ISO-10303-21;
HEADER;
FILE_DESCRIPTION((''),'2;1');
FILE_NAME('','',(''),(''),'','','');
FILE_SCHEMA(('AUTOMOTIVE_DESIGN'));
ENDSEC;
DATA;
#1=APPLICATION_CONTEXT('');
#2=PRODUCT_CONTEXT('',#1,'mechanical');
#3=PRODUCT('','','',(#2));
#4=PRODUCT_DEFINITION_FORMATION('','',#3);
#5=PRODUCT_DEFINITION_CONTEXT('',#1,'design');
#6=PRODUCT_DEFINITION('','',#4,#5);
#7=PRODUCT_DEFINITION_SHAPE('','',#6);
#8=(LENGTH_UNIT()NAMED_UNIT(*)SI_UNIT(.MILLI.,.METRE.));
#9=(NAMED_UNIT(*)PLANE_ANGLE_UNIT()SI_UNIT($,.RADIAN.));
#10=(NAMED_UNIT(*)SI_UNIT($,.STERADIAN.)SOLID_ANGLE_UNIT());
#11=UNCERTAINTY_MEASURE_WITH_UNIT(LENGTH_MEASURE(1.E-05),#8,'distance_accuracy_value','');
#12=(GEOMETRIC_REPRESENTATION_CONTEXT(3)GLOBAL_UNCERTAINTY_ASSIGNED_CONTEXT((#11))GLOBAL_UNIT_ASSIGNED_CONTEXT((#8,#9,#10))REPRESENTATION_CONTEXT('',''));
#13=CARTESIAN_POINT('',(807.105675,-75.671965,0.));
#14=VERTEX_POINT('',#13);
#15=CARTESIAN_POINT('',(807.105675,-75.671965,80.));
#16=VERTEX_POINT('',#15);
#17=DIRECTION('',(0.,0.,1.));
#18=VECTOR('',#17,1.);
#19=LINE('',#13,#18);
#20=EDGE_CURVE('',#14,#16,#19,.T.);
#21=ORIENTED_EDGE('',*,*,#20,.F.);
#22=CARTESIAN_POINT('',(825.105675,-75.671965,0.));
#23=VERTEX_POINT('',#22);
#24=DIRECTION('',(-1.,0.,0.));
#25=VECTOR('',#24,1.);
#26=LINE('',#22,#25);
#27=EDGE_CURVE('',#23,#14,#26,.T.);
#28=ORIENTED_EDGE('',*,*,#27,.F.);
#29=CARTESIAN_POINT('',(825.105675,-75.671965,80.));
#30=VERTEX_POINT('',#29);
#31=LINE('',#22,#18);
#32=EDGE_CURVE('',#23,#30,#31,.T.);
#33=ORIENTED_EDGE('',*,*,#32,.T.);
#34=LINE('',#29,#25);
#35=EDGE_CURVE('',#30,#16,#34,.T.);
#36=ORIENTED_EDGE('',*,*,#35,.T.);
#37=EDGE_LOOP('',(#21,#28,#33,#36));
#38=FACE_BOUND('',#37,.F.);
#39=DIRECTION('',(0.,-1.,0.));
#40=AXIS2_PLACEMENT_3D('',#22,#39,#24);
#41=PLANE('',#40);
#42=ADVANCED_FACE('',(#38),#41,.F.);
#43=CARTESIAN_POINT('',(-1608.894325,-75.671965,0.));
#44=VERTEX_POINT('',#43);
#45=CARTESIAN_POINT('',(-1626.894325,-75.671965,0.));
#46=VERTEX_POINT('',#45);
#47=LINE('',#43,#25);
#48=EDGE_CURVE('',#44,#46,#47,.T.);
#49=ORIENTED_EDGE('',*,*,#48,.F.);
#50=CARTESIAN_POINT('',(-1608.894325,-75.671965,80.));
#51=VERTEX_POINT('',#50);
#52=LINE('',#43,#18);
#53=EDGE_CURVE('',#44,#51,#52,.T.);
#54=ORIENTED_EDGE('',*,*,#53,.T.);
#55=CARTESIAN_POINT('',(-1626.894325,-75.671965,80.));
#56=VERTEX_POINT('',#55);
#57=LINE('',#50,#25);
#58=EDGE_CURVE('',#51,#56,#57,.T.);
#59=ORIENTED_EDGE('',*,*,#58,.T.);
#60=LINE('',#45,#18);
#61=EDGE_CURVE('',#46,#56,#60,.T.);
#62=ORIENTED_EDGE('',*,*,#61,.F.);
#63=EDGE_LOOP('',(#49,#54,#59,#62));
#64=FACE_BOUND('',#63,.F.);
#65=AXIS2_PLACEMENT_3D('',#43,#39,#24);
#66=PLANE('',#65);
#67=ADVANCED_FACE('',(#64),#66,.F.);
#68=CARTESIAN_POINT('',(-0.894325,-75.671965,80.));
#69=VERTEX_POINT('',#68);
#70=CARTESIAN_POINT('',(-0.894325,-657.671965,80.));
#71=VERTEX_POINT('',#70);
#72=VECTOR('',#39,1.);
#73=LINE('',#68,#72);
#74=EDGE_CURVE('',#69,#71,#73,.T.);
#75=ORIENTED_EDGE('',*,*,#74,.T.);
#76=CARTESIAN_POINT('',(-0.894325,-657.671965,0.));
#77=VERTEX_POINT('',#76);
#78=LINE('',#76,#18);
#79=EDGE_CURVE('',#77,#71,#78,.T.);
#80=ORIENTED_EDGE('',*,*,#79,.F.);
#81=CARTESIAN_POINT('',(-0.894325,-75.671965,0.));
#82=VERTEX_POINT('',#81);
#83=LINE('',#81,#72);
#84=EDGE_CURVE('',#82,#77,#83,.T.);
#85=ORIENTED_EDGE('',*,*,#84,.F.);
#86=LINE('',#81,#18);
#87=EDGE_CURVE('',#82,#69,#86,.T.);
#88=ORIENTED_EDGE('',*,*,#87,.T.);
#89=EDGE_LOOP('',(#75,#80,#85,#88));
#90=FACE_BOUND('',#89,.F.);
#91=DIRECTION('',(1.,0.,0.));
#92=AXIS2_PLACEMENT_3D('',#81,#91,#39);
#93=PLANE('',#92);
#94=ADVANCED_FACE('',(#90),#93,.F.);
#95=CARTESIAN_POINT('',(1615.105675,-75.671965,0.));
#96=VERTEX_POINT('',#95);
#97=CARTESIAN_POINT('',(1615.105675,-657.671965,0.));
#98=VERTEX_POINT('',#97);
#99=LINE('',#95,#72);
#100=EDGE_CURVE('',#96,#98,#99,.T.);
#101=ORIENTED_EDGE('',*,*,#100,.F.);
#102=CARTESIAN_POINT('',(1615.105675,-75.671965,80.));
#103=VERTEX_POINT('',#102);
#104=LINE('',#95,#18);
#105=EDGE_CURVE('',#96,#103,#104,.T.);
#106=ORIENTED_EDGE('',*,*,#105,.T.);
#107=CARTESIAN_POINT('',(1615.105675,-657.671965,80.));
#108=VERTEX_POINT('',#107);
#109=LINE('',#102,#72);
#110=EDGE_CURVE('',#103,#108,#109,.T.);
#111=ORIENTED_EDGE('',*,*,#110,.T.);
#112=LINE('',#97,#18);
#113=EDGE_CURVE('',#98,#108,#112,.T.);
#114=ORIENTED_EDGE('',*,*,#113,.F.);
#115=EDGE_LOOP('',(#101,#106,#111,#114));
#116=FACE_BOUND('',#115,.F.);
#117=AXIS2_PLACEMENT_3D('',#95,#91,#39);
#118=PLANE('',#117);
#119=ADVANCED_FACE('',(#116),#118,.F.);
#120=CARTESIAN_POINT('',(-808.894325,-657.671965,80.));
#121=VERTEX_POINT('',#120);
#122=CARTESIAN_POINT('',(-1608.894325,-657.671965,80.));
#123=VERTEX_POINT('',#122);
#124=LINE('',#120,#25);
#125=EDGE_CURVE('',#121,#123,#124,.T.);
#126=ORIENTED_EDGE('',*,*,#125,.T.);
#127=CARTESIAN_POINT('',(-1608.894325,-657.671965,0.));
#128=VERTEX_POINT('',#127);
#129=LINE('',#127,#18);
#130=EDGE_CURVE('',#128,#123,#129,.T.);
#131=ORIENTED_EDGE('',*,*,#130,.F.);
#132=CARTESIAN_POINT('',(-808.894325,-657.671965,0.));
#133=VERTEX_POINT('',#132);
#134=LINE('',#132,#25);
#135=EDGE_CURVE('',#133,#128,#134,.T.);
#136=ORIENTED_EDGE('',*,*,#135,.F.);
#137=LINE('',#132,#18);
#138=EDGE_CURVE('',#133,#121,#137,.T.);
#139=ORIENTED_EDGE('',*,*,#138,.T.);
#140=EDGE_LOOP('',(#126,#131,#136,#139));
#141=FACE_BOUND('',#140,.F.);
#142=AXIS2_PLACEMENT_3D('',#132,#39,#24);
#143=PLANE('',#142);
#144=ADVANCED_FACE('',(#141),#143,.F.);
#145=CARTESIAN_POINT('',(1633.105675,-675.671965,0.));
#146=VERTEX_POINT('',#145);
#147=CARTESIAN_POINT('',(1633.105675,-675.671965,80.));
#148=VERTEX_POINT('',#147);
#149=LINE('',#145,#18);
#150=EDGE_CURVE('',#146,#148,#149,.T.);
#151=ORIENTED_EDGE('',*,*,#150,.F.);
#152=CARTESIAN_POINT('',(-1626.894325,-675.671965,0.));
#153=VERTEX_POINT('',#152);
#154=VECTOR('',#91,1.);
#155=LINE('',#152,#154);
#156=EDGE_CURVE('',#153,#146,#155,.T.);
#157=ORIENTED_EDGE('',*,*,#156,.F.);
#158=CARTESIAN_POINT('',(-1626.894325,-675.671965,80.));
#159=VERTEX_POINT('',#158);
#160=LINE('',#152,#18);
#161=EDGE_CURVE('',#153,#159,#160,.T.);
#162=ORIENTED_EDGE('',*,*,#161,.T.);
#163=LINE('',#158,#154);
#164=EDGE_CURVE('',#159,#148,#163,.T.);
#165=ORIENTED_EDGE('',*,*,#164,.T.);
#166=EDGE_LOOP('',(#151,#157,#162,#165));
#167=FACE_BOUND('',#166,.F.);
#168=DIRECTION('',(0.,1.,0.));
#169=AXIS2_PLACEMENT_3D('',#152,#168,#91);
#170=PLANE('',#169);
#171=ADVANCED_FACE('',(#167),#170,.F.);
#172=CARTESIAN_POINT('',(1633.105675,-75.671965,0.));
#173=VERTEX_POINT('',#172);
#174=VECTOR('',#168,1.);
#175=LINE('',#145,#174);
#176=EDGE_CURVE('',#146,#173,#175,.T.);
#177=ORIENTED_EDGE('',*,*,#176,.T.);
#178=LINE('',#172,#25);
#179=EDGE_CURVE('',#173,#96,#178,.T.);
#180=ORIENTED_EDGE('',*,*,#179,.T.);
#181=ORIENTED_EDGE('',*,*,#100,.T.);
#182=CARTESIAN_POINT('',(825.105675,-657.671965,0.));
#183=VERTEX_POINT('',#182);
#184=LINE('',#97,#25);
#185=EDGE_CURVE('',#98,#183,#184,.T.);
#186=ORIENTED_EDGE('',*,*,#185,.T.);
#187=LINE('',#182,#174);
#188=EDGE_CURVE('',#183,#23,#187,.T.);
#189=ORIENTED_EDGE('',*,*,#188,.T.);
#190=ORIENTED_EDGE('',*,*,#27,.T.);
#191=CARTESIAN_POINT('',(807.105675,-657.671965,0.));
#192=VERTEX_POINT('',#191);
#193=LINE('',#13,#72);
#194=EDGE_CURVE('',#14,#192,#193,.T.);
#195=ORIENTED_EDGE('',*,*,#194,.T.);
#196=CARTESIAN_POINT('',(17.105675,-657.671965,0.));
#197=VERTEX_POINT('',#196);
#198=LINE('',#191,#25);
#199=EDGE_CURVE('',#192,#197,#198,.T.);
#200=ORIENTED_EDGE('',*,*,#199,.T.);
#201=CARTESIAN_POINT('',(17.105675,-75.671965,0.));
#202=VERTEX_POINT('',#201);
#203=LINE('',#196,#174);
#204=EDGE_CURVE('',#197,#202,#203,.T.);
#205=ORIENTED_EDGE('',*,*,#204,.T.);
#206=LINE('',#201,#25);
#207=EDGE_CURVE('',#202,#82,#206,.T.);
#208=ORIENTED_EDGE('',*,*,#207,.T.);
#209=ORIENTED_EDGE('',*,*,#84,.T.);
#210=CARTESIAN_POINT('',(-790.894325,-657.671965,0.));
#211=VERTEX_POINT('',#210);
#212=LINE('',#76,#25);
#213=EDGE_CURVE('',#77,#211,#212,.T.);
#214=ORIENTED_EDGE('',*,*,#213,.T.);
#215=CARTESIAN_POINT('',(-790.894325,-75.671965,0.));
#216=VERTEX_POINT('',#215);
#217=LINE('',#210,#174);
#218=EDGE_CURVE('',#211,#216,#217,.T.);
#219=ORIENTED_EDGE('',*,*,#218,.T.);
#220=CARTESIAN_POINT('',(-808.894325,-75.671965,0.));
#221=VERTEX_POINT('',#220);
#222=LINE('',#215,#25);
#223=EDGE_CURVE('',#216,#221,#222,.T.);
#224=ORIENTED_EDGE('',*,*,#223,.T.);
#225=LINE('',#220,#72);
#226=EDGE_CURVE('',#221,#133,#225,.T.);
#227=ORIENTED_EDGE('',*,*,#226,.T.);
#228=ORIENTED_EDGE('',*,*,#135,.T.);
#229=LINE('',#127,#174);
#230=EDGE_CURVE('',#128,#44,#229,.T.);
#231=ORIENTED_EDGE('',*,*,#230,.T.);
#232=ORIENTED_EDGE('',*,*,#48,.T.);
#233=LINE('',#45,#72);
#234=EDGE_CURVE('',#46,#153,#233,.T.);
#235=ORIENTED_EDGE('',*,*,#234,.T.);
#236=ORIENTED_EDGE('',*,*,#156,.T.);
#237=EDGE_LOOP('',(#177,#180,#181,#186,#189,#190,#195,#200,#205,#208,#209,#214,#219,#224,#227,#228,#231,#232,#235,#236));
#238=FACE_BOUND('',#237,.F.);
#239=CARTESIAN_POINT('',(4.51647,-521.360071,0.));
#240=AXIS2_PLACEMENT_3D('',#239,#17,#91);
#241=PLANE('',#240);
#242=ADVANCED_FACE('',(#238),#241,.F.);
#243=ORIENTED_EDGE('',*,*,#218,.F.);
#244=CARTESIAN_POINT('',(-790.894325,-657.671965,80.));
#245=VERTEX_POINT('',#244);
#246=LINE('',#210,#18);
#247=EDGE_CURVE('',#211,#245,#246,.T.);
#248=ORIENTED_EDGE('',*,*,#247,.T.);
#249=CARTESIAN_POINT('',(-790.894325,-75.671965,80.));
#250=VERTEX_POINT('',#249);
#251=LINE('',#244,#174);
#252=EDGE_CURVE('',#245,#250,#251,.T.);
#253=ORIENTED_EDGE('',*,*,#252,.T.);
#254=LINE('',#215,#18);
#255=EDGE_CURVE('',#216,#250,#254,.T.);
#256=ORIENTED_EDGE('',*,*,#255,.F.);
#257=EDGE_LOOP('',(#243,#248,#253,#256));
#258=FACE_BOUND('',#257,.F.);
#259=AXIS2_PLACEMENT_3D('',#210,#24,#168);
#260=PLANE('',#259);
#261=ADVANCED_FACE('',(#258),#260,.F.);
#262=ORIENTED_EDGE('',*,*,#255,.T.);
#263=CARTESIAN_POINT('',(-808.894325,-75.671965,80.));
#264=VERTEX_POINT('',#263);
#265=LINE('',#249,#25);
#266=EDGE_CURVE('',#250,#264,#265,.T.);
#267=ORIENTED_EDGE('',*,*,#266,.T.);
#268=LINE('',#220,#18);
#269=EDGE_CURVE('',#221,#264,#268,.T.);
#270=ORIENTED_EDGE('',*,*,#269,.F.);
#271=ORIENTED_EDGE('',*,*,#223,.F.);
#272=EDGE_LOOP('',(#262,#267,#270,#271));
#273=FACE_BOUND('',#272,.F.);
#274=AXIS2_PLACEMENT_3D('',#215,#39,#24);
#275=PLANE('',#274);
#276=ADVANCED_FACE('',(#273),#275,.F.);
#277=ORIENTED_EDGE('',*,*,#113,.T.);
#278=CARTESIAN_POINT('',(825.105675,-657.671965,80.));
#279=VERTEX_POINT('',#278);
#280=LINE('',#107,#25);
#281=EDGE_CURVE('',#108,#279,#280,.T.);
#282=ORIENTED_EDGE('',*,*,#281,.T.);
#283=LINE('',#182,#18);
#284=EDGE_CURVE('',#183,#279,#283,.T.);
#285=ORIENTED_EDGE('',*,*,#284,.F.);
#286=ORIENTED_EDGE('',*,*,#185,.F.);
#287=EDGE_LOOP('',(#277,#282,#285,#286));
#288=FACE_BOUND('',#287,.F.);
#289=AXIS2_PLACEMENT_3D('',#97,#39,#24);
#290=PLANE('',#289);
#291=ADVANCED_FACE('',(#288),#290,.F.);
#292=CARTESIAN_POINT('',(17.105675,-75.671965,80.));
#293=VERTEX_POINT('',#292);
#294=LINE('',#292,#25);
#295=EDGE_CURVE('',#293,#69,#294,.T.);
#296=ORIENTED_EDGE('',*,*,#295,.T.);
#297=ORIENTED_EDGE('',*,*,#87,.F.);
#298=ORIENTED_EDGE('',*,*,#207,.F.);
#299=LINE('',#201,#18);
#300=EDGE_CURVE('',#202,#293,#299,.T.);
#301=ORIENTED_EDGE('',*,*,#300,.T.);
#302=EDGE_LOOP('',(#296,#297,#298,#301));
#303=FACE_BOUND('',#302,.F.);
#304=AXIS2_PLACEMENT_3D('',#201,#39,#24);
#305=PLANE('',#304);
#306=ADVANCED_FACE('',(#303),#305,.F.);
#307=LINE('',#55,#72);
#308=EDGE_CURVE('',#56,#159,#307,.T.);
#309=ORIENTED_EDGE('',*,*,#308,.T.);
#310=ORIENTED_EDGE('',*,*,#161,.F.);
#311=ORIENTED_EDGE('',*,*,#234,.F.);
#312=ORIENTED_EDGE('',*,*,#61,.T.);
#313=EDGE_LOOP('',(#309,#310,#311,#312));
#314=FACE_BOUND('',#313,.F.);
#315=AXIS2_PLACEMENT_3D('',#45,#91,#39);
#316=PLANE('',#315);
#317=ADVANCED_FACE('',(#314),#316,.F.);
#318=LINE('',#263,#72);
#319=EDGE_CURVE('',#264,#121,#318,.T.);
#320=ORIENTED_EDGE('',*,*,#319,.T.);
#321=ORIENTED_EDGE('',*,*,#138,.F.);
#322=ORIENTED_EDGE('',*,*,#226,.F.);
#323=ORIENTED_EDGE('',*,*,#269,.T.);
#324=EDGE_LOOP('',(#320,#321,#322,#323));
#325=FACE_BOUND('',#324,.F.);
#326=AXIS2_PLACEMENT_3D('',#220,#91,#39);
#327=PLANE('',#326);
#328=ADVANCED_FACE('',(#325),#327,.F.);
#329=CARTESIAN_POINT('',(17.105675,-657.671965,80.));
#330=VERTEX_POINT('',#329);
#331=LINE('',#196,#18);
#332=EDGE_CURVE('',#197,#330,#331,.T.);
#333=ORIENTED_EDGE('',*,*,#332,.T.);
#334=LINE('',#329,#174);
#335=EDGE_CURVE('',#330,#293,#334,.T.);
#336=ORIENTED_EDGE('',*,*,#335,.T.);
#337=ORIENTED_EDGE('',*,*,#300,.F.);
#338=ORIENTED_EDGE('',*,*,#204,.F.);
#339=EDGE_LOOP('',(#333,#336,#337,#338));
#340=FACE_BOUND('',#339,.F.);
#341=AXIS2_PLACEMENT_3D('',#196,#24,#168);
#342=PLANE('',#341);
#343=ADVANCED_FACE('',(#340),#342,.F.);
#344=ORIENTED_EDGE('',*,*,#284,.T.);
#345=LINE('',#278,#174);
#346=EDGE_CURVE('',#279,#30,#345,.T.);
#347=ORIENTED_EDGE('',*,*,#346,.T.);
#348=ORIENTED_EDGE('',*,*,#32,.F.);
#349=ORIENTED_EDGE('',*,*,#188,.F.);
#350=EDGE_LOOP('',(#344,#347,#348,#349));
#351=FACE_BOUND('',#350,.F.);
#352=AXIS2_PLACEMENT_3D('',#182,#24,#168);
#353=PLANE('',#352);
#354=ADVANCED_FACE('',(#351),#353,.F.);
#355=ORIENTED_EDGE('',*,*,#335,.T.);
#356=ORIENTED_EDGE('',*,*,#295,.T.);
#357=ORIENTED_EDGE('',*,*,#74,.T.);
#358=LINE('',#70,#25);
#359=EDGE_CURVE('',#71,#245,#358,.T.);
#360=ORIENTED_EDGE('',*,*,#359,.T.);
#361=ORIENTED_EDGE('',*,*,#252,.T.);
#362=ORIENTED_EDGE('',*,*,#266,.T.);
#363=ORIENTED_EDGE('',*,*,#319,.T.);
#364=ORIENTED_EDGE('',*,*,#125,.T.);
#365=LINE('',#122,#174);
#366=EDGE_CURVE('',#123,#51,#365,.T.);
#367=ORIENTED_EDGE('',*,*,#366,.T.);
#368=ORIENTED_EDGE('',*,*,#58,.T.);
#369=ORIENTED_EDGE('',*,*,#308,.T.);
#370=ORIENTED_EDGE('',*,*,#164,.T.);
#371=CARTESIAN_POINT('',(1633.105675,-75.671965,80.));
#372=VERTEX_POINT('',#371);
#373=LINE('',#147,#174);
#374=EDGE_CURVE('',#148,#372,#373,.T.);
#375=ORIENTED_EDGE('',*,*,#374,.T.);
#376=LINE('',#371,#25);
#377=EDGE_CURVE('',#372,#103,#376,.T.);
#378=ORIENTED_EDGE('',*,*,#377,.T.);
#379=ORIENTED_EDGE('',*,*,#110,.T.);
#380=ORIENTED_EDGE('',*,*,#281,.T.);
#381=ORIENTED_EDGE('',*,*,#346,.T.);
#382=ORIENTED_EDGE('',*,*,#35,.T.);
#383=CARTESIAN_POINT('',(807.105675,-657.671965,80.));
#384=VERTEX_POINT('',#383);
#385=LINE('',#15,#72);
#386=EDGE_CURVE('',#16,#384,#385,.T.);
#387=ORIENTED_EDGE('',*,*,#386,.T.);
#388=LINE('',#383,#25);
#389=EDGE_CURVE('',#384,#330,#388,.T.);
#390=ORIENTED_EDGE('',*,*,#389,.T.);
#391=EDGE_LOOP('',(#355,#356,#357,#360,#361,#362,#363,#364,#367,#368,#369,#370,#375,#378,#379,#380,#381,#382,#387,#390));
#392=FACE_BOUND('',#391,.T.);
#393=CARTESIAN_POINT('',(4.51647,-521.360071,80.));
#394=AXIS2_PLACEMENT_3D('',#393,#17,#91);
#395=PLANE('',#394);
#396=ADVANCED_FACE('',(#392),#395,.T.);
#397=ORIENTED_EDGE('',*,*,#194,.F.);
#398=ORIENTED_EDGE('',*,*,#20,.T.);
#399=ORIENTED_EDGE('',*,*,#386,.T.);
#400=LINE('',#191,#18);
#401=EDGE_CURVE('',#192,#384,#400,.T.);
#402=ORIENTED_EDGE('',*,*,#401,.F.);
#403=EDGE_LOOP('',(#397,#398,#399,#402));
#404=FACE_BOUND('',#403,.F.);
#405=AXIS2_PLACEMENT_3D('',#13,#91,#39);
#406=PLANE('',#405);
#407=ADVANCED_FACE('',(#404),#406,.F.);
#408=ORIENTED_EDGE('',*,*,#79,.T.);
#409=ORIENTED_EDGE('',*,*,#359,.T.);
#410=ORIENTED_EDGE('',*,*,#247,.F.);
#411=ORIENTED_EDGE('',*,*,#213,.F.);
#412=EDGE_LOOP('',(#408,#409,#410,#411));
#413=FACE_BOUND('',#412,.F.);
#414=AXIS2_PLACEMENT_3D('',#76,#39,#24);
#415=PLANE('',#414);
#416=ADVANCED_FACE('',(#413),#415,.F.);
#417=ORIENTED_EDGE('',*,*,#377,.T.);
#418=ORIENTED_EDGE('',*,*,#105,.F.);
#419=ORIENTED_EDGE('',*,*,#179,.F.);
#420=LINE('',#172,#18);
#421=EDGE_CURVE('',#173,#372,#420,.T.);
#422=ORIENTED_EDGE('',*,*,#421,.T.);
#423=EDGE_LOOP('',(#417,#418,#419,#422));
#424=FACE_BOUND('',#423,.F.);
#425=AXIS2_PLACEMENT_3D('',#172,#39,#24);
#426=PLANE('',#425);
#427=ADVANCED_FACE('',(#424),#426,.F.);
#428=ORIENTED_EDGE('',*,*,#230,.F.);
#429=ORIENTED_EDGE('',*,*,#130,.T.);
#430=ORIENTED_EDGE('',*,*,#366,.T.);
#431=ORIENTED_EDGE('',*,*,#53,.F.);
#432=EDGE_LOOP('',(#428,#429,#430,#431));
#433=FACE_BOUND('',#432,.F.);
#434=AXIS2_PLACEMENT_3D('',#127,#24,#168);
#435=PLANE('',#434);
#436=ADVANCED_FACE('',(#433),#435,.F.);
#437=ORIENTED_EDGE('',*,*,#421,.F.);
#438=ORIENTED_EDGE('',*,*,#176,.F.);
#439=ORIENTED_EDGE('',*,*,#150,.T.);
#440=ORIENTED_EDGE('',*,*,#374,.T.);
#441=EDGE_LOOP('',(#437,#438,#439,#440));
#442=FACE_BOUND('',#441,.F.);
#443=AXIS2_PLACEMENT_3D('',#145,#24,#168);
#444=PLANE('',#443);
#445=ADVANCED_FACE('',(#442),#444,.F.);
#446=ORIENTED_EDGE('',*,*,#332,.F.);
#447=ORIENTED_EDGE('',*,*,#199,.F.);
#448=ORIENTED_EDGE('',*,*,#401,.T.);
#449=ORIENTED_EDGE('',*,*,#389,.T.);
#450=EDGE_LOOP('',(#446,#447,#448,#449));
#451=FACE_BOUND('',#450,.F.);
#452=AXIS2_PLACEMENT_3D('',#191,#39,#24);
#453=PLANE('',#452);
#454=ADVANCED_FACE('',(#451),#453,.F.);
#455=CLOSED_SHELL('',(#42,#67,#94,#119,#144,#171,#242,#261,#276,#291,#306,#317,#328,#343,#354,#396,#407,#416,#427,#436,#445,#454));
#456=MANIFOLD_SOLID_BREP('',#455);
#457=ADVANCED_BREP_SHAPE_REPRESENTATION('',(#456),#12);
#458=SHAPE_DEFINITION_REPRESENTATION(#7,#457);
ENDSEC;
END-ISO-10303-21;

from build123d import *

# Parameters (mm, degrees)
F1_DEPTH = 80


with BuildPart() as f1:
    # F0 (on Top) → F1 (new body)
    with BuildSketch(Plane.XY):
        Polygon((-1626.894325, -75.671965), (-1626.894325, -675.671965), (1633.105675, -675.671965), (1633.105675, -75.671965), (1615.105675, -75.671965), (1615.105675, -657.671965), (825.105675, -657.671965), (825.105675, -75.671965), (807.105675, -75.671965), (807.105675, -657.671965), (17.105675, -657.671965), (17.105675, -75.671965), (-0.894325, -75.671965), (-0.894325, -657.671965), (-790.894325, -657.671965), (-790.894325, -75.671965), (-808.894325, -75.671965), (-808.894325, -657.671965), (-1608.894325, -657.671965), (-1608.894325, -75.671965), align=None)
    extrude(amount=F1_DEPTH)


solid = f1.part
